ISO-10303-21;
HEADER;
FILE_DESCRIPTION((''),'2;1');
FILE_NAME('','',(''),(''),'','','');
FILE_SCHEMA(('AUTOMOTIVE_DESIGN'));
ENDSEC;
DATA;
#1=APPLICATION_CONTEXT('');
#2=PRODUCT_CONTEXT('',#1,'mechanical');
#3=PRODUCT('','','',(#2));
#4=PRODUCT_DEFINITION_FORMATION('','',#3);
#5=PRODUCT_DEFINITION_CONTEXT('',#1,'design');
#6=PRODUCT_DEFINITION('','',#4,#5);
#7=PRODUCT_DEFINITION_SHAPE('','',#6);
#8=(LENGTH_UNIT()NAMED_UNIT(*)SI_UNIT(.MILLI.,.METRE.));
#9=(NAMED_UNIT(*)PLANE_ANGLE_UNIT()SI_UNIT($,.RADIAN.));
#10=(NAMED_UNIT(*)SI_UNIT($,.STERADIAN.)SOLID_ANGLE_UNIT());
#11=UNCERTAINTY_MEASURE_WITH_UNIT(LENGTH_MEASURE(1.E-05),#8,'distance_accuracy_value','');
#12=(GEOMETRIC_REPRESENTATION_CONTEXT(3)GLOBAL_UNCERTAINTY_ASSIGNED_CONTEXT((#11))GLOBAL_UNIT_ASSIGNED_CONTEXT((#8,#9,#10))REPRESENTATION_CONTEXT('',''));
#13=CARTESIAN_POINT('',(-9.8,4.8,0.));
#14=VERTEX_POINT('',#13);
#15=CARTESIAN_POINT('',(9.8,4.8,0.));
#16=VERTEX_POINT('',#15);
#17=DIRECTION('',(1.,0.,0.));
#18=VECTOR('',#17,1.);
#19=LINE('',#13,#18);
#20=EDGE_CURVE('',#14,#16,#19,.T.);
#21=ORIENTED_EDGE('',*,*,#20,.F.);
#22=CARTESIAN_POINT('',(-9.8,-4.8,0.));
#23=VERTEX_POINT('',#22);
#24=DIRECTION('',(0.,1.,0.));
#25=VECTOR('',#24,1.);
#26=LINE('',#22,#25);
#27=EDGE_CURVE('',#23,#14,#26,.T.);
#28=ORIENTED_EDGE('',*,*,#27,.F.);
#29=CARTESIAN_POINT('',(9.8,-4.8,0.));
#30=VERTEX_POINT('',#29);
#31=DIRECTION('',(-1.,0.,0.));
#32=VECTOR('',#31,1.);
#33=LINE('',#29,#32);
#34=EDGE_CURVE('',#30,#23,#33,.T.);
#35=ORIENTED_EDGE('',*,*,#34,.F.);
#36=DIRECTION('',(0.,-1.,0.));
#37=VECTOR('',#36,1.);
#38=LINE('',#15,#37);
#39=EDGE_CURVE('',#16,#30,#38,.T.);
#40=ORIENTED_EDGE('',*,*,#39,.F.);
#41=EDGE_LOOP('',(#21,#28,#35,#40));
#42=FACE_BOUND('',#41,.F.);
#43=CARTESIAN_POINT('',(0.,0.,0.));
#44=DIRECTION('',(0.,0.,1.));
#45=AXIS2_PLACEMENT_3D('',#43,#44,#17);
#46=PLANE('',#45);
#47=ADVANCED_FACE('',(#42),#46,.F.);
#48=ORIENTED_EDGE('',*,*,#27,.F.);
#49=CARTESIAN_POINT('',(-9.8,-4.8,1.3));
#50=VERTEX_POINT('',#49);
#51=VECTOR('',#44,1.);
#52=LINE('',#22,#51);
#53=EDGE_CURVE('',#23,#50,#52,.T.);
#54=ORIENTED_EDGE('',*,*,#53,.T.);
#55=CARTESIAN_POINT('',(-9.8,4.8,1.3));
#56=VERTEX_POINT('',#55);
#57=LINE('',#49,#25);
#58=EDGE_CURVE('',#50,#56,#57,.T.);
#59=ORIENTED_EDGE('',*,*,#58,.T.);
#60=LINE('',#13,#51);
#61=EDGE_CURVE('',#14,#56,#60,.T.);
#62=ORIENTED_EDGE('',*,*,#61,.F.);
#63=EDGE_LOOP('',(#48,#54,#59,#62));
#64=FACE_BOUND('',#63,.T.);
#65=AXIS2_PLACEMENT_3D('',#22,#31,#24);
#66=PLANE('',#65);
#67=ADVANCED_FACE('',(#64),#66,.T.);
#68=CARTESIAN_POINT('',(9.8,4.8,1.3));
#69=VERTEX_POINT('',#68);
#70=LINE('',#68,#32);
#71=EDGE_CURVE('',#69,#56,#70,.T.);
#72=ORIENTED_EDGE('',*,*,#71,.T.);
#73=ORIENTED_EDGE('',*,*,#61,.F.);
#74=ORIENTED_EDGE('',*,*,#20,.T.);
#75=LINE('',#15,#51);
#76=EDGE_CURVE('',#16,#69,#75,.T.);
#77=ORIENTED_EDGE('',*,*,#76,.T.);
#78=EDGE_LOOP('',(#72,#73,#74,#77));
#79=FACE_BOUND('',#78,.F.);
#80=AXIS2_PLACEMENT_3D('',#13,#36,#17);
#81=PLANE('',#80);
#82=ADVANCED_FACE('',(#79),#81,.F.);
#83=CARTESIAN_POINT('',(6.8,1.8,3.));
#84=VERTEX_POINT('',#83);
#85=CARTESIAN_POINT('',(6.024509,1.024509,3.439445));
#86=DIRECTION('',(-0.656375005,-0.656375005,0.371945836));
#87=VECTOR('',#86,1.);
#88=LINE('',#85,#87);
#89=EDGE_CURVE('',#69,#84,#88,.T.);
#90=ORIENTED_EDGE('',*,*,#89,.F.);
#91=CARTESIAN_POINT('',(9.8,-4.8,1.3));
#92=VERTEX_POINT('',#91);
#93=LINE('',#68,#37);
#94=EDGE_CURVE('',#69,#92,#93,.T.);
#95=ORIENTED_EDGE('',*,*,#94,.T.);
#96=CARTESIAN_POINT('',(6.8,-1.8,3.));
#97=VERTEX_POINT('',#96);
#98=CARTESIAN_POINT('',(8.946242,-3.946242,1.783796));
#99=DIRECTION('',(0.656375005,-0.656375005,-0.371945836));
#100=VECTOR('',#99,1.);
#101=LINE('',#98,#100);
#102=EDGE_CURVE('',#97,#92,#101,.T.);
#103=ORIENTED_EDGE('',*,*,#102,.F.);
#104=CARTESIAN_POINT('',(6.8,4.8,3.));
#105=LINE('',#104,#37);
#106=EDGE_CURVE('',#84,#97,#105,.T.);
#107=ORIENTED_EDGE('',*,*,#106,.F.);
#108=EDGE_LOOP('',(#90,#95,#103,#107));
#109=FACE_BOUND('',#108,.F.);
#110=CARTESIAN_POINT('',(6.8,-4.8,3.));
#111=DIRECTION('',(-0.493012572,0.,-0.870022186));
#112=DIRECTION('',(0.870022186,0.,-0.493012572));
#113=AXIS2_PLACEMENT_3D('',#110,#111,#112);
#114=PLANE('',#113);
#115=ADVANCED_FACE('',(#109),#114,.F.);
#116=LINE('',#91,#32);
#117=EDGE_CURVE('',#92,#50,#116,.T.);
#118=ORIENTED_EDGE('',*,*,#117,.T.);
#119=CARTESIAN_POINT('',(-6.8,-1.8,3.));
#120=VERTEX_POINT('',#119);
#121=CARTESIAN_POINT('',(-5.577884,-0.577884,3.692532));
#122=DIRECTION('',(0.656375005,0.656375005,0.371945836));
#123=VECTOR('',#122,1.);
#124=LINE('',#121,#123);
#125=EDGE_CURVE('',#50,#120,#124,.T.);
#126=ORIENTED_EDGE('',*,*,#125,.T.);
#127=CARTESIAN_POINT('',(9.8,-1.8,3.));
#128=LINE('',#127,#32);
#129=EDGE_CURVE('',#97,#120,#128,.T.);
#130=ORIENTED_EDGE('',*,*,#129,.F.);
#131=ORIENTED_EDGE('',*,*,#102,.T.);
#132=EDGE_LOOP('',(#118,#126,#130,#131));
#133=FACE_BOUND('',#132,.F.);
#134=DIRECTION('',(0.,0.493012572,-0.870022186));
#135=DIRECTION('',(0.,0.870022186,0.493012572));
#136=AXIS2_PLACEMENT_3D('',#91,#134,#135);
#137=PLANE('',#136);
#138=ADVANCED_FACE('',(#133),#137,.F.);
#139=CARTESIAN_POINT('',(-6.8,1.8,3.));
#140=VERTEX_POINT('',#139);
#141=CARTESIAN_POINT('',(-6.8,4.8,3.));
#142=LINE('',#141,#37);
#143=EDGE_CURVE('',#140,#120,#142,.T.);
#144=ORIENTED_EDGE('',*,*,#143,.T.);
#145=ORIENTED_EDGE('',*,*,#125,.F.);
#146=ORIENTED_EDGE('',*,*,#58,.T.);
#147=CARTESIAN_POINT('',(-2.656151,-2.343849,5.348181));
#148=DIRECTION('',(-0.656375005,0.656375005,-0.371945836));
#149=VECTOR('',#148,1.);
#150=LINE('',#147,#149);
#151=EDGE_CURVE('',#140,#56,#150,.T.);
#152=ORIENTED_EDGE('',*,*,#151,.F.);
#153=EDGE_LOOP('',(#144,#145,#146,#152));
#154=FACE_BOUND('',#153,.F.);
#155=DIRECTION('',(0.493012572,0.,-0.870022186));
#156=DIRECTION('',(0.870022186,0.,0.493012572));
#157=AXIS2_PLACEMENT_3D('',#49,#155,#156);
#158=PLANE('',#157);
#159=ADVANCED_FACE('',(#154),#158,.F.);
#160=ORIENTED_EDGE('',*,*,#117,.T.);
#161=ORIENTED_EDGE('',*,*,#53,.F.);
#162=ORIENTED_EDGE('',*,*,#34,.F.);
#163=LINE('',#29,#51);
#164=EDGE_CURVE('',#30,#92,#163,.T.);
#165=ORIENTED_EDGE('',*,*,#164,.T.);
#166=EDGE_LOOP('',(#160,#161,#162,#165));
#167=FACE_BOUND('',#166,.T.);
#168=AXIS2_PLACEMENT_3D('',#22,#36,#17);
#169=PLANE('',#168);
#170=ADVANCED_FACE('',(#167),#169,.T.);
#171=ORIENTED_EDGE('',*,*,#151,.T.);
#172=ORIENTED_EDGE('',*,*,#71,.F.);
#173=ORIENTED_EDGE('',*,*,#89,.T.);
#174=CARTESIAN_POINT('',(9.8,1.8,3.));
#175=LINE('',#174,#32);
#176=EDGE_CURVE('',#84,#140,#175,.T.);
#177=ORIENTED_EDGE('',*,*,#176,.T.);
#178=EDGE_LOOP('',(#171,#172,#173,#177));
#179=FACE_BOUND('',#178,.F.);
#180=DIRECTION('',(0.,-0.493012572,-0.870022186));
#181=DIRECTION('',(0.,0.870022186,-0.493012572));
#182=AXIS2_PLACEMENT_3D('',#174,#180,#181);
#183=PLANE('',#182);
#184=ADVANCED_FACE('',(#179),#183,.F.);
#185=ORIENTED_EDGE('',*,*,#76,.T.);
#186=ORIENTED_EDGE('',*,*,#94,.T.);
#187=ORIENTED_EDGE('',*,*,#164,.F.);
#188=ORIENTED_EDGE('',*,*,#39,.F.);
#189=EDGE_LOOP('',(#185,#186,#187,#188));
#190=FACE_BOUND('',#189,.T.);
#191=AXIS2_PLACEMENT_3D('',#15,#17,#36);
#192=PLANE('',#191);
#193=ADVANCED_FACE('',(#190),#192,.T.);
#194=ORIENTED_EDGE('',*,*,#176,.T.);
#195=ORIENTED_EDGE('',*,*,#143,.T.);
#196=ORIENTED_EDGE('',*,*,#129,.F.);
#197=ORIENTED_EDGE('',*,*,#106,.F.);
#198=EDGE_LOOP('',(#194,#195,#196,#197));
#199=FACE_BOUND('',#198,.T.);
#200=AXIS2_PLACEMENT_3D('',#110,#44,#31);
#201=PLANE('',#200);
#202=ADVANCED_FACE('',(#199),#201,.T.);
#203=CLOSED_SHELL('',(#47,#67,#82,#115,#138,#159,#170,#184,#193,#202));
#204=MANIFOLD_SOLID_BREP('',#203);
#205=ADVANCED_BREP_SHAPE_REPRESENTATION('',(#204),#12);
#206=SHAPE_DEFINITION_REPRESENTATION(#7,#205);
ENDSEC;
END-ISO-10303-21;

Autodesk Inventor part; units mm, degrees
ref_plane "YZ Plane" through (0, 0, 0) normal (1, 0, 0) x (0, 1, 0)
ref_plane "XZ Plane" through (0, 0, 0) normal (0, 1, 0) x (-1, 0, 0)
ref_plane "Work Plane1" through (-273.6, -145.5093, 1.1) normal (0, 0, 1) x (1, 0, 0)
sketch "Sketch1" plane through (0, 0, 0) normal (0, 0, 1) x (1, 0, 0)
  line L0 (-273.6, -142.1074) -> (-273.6, 15) projected
  line L1 (-273.6, -142.1074) -> (-273.5328, -142.3023) projected
  line L2 (-273.5328, -142.3023) -> (-271.5577, -145.5093) projected
  line L3 (-271.5577, -145.5093) -> (27.9577, -145.5093) projected
  line L4 (27.9577, -145.5093) -> (29.9328, -142.3023) projected
  line L5 (29.9328, -142.3023) -> (30, -142.1074) projected
  line L6 (30, -142.1074) -> (30, 15) projected
  line L7 (30, 15) -> (-273.6, 15) projected
  ellipse E0 centre (-207.1368, -126.3725) end of major axis (-207.1368, -124.9133) minor radius 1.45 (-205.7085, -126.6236) -> (-208.5652, -126.6236) ccw projected
  ellipse E1 centre (-207.1368, -126.8715) end of major axis (-205.6868, -126.8715) minor radius 1.4408 (-208.5652, -126.6236) -> (-205.7085, -126.6236) ccw projected
  line L8 (10, -5) -> (-10, -5) projected
  line L9 (-10, -5) -> (-10, 5) projected
  line L10 (-10, 5) -> (10, 5) projected
  line L11 (10, 5) -> (10, -5) projected
  line L12 (-131.8, -134.6879) -> (-131.8, -124.6879) projected
  line L13 (-131.8, -124.6879) -> (-111.8, -124.6879) projected
  line L14 (-111.8, -124.6879) -> (-111.8, -134.6879) projected
  line L15 (-111.8, -134.6879) -> (-131.8, -134.6879) projected
  line L16 (-233.6, -124.6879) -> (-233.6, -134.6879) projected
  line L17 (-233.6, -134.6879) -> (-253.6, -134.6879) projected
  line L18 (-253.6, -134.6879) -> (-253.6, -124.6879) projected
  line L19 (-253.6, -124.6879) -> (-233.6, -124.6879) projected
  line L20 (-131.8, -5) -> (-131.8, 5) projected
  line L21 (-131.8, 5) -> (-111.8, 5) projected
  line L22 (-111.8, 5) -> (-111.8, -5) projected
  line L23 (-111.8, -5) -> (-131.8, -5) projected
  line L24 (-10, -124.6879) -> (10, -124.6879) projected
  line L25 (10, -124.6879) -> (10, -134.6879) projected
  line L26 (10, -134.6879) -> (-10, -134.6879) projected
  line L27 (-10, -134.6879) -> (-10, -124.6879) projected
  line L28 (-233.6, 5) -> (-233.6, -5) projected
  line L29 (-233.6, -5) -> (-253.6, -5) projected
  line L30 (-253.6, -5) -> (-253.6, 5) projected
  line L31 (-253.6, 5) -> (-233.6, 5) projected
  ellipse E2 centre (-268.2527, 10.0167) end of major axis (-268.2527, 11.4759) minor radius 1.45 (-266.8028, 9.9997) -> (-269.7026, 9.9997) ccw projected
  ellipse E3 centre (-268.2527, 9.9828) end of major axis (-268.2527, 8.5236) minor radius 1.45 (-269.7026, 9.9997) -> (-266.8028, 9.9997) ccw projected
  ellipse E4 centre (25.0696, -126.3725) end of major axis (25.0696, -124.9133) minor radius 1.45 (26.5195, -126.3895) -> (23.6197, -126.3895) ccw projected
  ellipse E5 centre (25.0696, -126.4064) end of major axis (25.0696, -127.8656) minor radius 1.45 (23.6197, -126.3895) -> (26.5195, -126.3895) ccw projected
  ellipse E6 centre (-268.2527, -58.2135) end of major axis (-268.2527, -56.7542) minor radius 1.45 (-266.8028, -58.2304) -> (-269.7026, -58.2304) ccw projected
  ellipse E7 centre (-268.2527, -58.2474) end of major axis (-268.2527, -59.7066) minor radius 1.45 (-269.7026, -58.2304) -> (-266.8028, -58.2304) ccw projected
  ellipse E8 centre (-83.992, 10.0167) end of major axis (-83.992, 11.4759) minor radius 1.45 (-82.5421, 9.9997) -> (-85.4419, 9.9997) ccw projected
  ellipse E9 centre (-83.992, 9.9828) end of major axis (-83.992, 8.5236) minor radius 1.45 (-85.4419, 9.9997) -> (-82.5421, 9.9997) ccw projected
  ellipse E10 centre (25.0696, -58.2135) end of major axis (25.0696, -56.7542) minor radius 1.45 (26.5195, -58.2304) -> (23.6197, -58.2304) ccw projected
  ellipse E11 centre (25.0696, -58.2474) end of major axis (25.0696, -59.7066) minor radius 1.45 (23.6197, -58.2304) -> (26.5195, -58.2304) ccw projected
  ellipse E12 centre (-62.1557, -126.3725) end of major axis (-62.1557, -124.9133) minor radius 1.45 (-60.7058, -126.3895) -> (-63.6056, -126.3895) ccw projected
  ellipse E13 centre (-62.1557, -126.4064) end of major axis (-62.1557, -127.8656) minor radius 1.45 (-63.6056, -126.3895) -> (-60.7058, -126.3895) ccw projected
  ellipse E14 centre (-268.2527, -126.3725) end of major axis (-268.2527, -124.9133) minor radius 1.45 (-266.8028, -126.3895) -> (-269.7026, -126.3895) ccw projected
  ellipse E15 centre (-268.2527, -126.4064) end of major axis (-268.2527, -127.8656) minor radius 1.45 (-269.7026, -126.3895) -> (-266.8028, -126.3895) ccw projected
  ellipse E16 centre (-167.7791, 10.0167) end of major axis (-167.7791, 11.4759) minor radius 1.45 (-166.3292, 9.9997) -> (-169.229, 9.9997) ccw projected
  ellipse E17 centre (-167.7791, 9.9828) end of major axis (-167.7791, 8.5236) minor radius 1.45 (-169.229, 9.9997) -> (-166.3292, 9.9997) ccw projected
  ellipse E18 centre (-151.1416, -126.3725) end of major axis (-151.1416, -124.9133) minor radius 1.45 (-149.7132, -126.6236) -> (-152.5699, -126.6236) ccw projected
  ellipse E19 centre (-151.1416, -126.8715) end of major axis (-149.6916, -126.8715) minor radius 1.4408 (-152.5699, -126.6236) -> (-149.7132, -126.6236) ccw projected
  ellipse E20 centre (25.0696, 10.0167) end of major axis (25.0696, 11.4759) minor radius 1.45 (26.5195, 9.9997) -> (23.6197, 9.9997) ccw projected
  ellipse E21 centre (25.0696, 9.9828) end of major axis (25.0696, 8.5236) minor radius 1.45 (23.6197, 9.9997) -> (26.5195, 9.9997) ccw projected
  line L32 (-9.8, 4.8) -> (9.8, 4.8)
  line L33 (9.8, 4.8) -> (9.8, -4.8)
  line L34 (9.8, -4.8) -> (-9.8, -4.8)
  line L35 (-9.8, -4.8) -> (-9.8, 4.8)
  line L36 (-6.8, 1.8) -> (6.8, 1.8)
  line L37 (6.8, 1.8) -> (6.8, -1.8)
  line L38 (6.8, -1.8) -> (-6.8, -1.8)
  line L39 (-6.8, -1.8) -> (-6.8, 1.8)
  point P0 (0, 0)
  point P1 (0, 0)
  point P2 (-121.8, 0)
  point P3 (-243.6, 0)
  point P4 (-243.6, -129.6879)
  point P5 (-121.8, -129.6879)
  point P6 (0, -129.6879)
  point P7 (0, 0)
  dimension "d0" = 19.6
  dimension "d1" = 9.6
  dimension "d2" = 13.6
  dimension "d3" = 3.6
extrude "Extrusion1" add sketch "Sketch1" along normal blind 1.3 contours L32 L33 L34 L35 | L36 L37 L38 L39
sketch "Sketch2" plane through (0, 0, 1.3) normal (0, 0, 1) x (1, 0, 0)
  line L0 (-6.8, 1.8) -> (6.8, 1.8)
  line L1 (6.8, 1.8) -> (6.8, -1.8)
  line L2 (6.8, -1.8) -> (-6.8, -1.8)
  line L3 (-6.8, -1.8) -> (-6.8, 1.8)
  point P0 (0, 0)
  point P1 (0, 0)
  dimension "d6" = 13.6
  dimension "d7" = 3.6
extrude "Extrusion2" add sketch "Sketch2" along normal blind 1.7
sketch "Sketch3" plane through (-9.8, -4.8, 0) normal (0, -1, 0) x (1, 0, 0)
  line L0 (16.6, 3) -> (3, 3) projected
  line L1 (0, 1.3) -> (3, 3)
  line L2 (3, 3) -> (16.6, 3)
  line L3 (19.6, 1.3) -> (0, 1.3) projected
  line L4 (16.6, 3) -> (19.6, 1.3)
  line L5 (0, 0) -> (0, 1.3) projected
  line L6 (19.6, 1.3) -> (0, 1.3)
  point P0 (9.8, 0)
extrude "Extrusion3" add sketch "Sketch3" against normal up to surface (9.6 mm away)
sketch "Sketch4" plane through (9.8, -4.8, 0) normal (1, 0, 0) x (0, 0, -1)
  line L0 (0, 0) -> (-1.3, 0) projected
  line L1 (-1.3, 0) -> (-1.3, 3)
  line L2 (-1.3, 9.6) -> (-1.3, 0) projected
  line L3 (0, 9.6) -> (-1.3, 9.6) projected
  line L4 (-1.3, 9.6) -> (-1.3, 6.6)
  line L5 (-1.3, 0) -> (-3, 3)
  line L6 (-3, 0) -> (-3, 9.6) projected
  line L7 (-3, 6.6) -> (-1.3, 9.6)
  line L8 (-3, 0) -> (-1.3, 0) projected
  line L9 (-1.3, 0) -> (-3, 0)
  line L10 (-3, 0) -> (-3, 9.6)
  line L11 (-3, 9.6) -> (-1.3, 9.6) projected
  line L12 (-3, 9.6) -> (-1.3, 9.6)
  point P0 (0, 4.8)
  dimension "d12" = 3
  dimension "d13" = 3
extrude "Extrusion4" cut sketch "Sketch4" against normal through all contours L8 L6 L5 | L6 L11 L7
properties part number "Pads"
